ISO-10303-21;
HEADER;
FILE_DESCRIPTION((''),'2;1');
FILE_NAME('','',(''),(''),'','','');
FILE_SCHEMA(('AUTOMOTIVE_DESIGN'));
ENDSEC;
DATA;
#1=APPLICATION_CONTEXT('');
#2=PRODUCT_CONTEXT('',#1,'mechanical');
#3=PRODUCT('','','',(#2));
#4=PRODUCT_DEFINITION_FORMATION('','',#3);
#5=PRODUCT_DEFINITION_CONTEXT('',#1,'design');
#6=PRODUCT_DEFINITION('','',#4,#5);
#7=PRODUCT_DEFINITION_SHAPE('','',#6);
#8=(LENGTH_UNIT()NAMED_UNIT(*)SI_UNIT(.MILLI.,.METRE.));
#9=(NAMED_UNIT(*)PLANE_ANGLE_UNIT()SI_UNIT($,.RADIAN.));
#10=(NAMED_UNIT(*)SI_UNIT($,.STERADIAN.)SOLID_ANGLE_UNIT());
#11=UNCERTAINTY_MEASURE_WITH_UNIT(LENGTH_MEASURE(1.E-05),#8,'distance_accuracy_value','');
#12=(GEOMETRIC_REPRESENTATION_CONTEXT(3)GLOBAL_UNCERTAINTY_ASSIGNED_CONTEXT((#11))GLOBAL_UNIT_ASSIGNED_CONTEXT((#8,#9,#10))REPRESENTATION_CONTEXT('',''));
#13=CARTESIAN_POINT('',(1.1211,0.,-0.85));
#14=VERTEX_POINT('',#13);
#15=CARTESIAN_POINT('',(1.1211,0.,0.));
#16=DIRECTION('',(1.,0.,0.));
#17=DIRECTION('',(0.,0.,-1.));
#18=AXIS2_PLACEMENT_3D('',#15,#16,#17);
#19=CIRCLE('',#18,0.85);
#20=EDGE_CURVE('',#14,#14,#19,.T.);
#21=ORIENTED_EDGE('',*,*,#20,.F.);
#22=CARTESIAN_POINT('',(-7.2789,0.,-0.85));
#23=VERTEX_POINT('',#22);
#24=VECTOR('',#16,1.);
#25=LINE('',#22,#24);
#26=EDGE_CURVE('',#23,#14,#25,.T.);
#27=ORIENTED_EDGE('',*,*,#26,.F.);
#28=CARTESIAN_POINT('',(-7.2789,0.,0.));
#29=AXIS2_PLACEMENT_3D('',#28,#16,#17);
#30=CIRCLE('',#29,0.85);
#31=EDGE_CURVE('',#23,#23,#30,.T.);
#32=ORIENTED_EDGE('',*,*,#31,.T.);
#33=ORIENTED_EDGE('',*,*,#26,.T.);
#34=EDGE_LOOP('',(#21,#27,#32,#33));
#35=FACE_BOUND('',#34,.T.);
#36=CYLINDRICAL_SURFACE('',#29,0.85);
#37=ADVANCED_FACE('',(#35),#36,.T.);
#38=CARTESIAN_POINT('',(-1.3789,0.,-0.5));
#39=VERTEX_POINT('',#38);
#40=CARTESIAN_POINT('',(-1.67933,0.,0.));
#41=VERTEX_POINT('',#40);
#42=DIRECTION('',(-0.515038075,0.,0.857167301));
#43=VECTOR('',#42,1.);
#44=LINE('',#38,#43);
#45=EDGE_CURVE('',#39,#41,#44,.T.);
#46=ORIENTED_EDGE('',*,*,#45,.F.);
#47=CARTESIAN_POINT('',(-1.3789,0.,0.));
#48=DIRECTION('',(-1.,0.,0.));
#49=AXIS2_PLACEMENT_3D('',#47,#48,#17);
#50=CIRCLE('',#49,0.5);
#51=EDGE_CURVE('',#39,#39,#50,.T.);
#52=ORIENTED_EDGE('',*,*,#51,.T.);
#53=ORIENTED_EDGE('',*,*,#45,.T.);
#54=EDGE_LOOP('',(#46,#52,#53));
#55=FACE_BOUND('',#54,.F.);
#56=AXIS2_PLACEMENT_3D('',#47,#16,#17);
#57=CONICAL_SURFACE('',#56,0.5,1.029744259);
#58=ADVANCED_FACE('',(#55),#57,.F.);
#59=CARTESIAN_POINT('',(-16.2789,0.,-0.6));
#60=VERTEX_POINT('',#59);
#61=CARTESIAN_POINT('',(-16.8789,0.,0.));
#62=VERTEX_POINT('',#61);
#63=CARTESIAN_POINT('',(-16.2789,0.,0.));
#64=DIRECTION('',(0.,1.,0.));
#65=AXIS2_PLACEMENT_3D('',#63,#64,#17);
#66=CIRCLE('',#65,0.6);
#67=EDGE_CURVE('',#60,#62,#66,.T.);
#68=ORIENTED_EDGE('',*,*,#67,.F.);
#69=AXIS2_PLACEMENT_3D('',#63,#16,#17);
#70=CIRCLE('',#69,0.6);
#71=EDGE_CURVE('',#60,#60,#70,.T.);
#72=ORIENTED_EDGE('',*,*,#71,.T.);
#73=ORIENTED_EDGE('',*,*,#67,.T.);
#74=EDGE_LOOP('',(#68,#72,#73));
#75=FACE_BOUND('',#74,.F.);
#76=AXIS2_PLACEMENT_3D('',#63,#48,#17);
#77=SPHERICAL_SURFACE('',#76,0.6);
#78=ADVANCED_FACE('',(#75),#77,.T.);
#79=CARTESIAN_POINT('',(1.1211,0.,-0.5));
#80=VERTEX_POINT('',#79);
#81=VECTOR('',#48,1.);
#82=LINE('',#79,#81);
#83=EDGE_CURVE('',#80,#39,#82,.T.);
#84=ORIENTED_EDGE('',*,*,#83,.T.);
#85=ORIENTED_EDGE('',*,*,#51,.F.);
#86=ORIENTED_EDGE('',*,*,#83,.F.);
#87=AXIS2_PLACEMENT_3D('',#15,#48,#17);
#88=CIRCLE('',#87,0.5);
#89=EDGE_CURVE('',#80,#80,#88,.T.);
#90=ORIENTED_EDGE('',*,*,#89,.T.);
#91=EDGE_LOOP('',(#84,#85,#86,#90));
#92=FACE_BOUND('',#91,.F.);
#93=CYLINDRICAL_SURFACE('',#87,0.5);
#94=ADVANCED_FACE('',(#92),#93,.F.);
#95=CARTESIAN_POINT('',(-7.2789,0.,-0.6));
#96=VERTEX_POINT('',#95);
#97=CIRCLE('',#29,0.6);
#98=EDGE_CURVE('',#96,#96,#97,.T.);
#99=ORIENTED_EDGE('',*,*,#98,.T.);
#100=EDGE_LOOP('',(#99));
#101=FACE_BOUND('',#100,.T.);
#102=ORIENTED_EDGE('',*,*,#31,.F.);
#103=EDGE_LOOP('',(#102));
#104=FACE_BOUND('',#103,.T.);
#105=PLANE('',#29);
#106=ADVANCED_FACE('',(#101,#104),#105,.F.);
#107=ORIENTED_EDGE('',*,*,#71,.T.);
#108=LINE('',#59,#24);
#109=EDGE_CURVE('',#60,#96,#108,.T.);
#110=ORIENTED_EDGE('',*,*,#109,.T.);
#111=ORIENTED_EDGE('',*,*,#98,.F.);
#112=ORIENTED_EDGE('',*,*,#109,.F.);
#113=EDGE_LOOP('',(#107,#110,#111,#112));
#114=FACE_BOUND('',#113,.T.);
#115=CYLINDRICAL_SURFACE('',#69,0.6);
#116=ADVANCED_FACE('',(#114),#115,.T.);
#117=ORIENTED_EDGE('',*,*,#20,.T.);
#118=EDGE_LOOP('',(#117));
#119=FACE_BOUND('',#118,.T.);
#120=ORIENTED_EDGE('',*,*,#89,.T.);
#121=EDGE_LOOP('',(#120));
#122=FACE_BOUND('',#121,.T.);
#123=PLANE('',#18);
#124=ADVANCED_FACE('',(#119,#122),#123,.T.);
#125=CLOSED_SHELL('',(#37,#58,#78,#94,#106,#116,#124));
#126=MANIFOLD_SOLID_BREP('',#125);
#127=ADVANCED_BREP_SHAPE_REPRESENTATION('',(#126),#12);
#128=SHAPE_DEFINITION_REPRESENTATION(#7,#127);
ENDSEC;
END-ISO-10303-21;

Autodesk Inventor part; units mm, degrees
ref_plane "YZ Plane" through (0, 0, 0) normal (1, 0, 0) x (0, 1, 0)
ref_plane "XZ Plane" through (0, 0, 0) normal (0, 1, 0) x (-1, 0, 0)
ref_plane "XY Plane" through (0, 0, 0) normal (0, 0, 1) x (1, 0, 0)
sketch "Эскиз1" plane through (0, 0, 0) normal (0, 1, 0) x (-1, 0, 0)
  line L0 (16.8789, 0) -> (-16.2789, 0)
  arc A0 (16.2789, -0.6) -> (16.8789, 0) centre (16.2789, 0) ccw
  line L1 (16.2789, -0.6) -> (7.2789, -0.6)
  line L2 (7.2789, -0.6) -> (7.2789, -0.85)
  line L3 (7.2789, -0.85) -> (-1.1211, -0.85)
  line L4 (-1.1211, -0.85) -> (-1.1211, 0)
  point P0 (0, 0)
  point P1 (0, 0)
  dimension "pin_small_rad" = 0.6
  dimension "d1" = 18
  dimension "d2" = 9
  dimension "pin_big_dia" = 1.7
revolve "Вращение1" add sketch "Эскиз1" angle 360 about axis through (-16.8789, 0, 0) along (1, 0, 0)
hole "Отверстие1" at (1.1211, 0, 0) direction (-1, 0, 0) diameter 1 depth 2.5 tip angle 118
properties part number "kls_pin" material "Сталь, нержавеющая, полированная"
